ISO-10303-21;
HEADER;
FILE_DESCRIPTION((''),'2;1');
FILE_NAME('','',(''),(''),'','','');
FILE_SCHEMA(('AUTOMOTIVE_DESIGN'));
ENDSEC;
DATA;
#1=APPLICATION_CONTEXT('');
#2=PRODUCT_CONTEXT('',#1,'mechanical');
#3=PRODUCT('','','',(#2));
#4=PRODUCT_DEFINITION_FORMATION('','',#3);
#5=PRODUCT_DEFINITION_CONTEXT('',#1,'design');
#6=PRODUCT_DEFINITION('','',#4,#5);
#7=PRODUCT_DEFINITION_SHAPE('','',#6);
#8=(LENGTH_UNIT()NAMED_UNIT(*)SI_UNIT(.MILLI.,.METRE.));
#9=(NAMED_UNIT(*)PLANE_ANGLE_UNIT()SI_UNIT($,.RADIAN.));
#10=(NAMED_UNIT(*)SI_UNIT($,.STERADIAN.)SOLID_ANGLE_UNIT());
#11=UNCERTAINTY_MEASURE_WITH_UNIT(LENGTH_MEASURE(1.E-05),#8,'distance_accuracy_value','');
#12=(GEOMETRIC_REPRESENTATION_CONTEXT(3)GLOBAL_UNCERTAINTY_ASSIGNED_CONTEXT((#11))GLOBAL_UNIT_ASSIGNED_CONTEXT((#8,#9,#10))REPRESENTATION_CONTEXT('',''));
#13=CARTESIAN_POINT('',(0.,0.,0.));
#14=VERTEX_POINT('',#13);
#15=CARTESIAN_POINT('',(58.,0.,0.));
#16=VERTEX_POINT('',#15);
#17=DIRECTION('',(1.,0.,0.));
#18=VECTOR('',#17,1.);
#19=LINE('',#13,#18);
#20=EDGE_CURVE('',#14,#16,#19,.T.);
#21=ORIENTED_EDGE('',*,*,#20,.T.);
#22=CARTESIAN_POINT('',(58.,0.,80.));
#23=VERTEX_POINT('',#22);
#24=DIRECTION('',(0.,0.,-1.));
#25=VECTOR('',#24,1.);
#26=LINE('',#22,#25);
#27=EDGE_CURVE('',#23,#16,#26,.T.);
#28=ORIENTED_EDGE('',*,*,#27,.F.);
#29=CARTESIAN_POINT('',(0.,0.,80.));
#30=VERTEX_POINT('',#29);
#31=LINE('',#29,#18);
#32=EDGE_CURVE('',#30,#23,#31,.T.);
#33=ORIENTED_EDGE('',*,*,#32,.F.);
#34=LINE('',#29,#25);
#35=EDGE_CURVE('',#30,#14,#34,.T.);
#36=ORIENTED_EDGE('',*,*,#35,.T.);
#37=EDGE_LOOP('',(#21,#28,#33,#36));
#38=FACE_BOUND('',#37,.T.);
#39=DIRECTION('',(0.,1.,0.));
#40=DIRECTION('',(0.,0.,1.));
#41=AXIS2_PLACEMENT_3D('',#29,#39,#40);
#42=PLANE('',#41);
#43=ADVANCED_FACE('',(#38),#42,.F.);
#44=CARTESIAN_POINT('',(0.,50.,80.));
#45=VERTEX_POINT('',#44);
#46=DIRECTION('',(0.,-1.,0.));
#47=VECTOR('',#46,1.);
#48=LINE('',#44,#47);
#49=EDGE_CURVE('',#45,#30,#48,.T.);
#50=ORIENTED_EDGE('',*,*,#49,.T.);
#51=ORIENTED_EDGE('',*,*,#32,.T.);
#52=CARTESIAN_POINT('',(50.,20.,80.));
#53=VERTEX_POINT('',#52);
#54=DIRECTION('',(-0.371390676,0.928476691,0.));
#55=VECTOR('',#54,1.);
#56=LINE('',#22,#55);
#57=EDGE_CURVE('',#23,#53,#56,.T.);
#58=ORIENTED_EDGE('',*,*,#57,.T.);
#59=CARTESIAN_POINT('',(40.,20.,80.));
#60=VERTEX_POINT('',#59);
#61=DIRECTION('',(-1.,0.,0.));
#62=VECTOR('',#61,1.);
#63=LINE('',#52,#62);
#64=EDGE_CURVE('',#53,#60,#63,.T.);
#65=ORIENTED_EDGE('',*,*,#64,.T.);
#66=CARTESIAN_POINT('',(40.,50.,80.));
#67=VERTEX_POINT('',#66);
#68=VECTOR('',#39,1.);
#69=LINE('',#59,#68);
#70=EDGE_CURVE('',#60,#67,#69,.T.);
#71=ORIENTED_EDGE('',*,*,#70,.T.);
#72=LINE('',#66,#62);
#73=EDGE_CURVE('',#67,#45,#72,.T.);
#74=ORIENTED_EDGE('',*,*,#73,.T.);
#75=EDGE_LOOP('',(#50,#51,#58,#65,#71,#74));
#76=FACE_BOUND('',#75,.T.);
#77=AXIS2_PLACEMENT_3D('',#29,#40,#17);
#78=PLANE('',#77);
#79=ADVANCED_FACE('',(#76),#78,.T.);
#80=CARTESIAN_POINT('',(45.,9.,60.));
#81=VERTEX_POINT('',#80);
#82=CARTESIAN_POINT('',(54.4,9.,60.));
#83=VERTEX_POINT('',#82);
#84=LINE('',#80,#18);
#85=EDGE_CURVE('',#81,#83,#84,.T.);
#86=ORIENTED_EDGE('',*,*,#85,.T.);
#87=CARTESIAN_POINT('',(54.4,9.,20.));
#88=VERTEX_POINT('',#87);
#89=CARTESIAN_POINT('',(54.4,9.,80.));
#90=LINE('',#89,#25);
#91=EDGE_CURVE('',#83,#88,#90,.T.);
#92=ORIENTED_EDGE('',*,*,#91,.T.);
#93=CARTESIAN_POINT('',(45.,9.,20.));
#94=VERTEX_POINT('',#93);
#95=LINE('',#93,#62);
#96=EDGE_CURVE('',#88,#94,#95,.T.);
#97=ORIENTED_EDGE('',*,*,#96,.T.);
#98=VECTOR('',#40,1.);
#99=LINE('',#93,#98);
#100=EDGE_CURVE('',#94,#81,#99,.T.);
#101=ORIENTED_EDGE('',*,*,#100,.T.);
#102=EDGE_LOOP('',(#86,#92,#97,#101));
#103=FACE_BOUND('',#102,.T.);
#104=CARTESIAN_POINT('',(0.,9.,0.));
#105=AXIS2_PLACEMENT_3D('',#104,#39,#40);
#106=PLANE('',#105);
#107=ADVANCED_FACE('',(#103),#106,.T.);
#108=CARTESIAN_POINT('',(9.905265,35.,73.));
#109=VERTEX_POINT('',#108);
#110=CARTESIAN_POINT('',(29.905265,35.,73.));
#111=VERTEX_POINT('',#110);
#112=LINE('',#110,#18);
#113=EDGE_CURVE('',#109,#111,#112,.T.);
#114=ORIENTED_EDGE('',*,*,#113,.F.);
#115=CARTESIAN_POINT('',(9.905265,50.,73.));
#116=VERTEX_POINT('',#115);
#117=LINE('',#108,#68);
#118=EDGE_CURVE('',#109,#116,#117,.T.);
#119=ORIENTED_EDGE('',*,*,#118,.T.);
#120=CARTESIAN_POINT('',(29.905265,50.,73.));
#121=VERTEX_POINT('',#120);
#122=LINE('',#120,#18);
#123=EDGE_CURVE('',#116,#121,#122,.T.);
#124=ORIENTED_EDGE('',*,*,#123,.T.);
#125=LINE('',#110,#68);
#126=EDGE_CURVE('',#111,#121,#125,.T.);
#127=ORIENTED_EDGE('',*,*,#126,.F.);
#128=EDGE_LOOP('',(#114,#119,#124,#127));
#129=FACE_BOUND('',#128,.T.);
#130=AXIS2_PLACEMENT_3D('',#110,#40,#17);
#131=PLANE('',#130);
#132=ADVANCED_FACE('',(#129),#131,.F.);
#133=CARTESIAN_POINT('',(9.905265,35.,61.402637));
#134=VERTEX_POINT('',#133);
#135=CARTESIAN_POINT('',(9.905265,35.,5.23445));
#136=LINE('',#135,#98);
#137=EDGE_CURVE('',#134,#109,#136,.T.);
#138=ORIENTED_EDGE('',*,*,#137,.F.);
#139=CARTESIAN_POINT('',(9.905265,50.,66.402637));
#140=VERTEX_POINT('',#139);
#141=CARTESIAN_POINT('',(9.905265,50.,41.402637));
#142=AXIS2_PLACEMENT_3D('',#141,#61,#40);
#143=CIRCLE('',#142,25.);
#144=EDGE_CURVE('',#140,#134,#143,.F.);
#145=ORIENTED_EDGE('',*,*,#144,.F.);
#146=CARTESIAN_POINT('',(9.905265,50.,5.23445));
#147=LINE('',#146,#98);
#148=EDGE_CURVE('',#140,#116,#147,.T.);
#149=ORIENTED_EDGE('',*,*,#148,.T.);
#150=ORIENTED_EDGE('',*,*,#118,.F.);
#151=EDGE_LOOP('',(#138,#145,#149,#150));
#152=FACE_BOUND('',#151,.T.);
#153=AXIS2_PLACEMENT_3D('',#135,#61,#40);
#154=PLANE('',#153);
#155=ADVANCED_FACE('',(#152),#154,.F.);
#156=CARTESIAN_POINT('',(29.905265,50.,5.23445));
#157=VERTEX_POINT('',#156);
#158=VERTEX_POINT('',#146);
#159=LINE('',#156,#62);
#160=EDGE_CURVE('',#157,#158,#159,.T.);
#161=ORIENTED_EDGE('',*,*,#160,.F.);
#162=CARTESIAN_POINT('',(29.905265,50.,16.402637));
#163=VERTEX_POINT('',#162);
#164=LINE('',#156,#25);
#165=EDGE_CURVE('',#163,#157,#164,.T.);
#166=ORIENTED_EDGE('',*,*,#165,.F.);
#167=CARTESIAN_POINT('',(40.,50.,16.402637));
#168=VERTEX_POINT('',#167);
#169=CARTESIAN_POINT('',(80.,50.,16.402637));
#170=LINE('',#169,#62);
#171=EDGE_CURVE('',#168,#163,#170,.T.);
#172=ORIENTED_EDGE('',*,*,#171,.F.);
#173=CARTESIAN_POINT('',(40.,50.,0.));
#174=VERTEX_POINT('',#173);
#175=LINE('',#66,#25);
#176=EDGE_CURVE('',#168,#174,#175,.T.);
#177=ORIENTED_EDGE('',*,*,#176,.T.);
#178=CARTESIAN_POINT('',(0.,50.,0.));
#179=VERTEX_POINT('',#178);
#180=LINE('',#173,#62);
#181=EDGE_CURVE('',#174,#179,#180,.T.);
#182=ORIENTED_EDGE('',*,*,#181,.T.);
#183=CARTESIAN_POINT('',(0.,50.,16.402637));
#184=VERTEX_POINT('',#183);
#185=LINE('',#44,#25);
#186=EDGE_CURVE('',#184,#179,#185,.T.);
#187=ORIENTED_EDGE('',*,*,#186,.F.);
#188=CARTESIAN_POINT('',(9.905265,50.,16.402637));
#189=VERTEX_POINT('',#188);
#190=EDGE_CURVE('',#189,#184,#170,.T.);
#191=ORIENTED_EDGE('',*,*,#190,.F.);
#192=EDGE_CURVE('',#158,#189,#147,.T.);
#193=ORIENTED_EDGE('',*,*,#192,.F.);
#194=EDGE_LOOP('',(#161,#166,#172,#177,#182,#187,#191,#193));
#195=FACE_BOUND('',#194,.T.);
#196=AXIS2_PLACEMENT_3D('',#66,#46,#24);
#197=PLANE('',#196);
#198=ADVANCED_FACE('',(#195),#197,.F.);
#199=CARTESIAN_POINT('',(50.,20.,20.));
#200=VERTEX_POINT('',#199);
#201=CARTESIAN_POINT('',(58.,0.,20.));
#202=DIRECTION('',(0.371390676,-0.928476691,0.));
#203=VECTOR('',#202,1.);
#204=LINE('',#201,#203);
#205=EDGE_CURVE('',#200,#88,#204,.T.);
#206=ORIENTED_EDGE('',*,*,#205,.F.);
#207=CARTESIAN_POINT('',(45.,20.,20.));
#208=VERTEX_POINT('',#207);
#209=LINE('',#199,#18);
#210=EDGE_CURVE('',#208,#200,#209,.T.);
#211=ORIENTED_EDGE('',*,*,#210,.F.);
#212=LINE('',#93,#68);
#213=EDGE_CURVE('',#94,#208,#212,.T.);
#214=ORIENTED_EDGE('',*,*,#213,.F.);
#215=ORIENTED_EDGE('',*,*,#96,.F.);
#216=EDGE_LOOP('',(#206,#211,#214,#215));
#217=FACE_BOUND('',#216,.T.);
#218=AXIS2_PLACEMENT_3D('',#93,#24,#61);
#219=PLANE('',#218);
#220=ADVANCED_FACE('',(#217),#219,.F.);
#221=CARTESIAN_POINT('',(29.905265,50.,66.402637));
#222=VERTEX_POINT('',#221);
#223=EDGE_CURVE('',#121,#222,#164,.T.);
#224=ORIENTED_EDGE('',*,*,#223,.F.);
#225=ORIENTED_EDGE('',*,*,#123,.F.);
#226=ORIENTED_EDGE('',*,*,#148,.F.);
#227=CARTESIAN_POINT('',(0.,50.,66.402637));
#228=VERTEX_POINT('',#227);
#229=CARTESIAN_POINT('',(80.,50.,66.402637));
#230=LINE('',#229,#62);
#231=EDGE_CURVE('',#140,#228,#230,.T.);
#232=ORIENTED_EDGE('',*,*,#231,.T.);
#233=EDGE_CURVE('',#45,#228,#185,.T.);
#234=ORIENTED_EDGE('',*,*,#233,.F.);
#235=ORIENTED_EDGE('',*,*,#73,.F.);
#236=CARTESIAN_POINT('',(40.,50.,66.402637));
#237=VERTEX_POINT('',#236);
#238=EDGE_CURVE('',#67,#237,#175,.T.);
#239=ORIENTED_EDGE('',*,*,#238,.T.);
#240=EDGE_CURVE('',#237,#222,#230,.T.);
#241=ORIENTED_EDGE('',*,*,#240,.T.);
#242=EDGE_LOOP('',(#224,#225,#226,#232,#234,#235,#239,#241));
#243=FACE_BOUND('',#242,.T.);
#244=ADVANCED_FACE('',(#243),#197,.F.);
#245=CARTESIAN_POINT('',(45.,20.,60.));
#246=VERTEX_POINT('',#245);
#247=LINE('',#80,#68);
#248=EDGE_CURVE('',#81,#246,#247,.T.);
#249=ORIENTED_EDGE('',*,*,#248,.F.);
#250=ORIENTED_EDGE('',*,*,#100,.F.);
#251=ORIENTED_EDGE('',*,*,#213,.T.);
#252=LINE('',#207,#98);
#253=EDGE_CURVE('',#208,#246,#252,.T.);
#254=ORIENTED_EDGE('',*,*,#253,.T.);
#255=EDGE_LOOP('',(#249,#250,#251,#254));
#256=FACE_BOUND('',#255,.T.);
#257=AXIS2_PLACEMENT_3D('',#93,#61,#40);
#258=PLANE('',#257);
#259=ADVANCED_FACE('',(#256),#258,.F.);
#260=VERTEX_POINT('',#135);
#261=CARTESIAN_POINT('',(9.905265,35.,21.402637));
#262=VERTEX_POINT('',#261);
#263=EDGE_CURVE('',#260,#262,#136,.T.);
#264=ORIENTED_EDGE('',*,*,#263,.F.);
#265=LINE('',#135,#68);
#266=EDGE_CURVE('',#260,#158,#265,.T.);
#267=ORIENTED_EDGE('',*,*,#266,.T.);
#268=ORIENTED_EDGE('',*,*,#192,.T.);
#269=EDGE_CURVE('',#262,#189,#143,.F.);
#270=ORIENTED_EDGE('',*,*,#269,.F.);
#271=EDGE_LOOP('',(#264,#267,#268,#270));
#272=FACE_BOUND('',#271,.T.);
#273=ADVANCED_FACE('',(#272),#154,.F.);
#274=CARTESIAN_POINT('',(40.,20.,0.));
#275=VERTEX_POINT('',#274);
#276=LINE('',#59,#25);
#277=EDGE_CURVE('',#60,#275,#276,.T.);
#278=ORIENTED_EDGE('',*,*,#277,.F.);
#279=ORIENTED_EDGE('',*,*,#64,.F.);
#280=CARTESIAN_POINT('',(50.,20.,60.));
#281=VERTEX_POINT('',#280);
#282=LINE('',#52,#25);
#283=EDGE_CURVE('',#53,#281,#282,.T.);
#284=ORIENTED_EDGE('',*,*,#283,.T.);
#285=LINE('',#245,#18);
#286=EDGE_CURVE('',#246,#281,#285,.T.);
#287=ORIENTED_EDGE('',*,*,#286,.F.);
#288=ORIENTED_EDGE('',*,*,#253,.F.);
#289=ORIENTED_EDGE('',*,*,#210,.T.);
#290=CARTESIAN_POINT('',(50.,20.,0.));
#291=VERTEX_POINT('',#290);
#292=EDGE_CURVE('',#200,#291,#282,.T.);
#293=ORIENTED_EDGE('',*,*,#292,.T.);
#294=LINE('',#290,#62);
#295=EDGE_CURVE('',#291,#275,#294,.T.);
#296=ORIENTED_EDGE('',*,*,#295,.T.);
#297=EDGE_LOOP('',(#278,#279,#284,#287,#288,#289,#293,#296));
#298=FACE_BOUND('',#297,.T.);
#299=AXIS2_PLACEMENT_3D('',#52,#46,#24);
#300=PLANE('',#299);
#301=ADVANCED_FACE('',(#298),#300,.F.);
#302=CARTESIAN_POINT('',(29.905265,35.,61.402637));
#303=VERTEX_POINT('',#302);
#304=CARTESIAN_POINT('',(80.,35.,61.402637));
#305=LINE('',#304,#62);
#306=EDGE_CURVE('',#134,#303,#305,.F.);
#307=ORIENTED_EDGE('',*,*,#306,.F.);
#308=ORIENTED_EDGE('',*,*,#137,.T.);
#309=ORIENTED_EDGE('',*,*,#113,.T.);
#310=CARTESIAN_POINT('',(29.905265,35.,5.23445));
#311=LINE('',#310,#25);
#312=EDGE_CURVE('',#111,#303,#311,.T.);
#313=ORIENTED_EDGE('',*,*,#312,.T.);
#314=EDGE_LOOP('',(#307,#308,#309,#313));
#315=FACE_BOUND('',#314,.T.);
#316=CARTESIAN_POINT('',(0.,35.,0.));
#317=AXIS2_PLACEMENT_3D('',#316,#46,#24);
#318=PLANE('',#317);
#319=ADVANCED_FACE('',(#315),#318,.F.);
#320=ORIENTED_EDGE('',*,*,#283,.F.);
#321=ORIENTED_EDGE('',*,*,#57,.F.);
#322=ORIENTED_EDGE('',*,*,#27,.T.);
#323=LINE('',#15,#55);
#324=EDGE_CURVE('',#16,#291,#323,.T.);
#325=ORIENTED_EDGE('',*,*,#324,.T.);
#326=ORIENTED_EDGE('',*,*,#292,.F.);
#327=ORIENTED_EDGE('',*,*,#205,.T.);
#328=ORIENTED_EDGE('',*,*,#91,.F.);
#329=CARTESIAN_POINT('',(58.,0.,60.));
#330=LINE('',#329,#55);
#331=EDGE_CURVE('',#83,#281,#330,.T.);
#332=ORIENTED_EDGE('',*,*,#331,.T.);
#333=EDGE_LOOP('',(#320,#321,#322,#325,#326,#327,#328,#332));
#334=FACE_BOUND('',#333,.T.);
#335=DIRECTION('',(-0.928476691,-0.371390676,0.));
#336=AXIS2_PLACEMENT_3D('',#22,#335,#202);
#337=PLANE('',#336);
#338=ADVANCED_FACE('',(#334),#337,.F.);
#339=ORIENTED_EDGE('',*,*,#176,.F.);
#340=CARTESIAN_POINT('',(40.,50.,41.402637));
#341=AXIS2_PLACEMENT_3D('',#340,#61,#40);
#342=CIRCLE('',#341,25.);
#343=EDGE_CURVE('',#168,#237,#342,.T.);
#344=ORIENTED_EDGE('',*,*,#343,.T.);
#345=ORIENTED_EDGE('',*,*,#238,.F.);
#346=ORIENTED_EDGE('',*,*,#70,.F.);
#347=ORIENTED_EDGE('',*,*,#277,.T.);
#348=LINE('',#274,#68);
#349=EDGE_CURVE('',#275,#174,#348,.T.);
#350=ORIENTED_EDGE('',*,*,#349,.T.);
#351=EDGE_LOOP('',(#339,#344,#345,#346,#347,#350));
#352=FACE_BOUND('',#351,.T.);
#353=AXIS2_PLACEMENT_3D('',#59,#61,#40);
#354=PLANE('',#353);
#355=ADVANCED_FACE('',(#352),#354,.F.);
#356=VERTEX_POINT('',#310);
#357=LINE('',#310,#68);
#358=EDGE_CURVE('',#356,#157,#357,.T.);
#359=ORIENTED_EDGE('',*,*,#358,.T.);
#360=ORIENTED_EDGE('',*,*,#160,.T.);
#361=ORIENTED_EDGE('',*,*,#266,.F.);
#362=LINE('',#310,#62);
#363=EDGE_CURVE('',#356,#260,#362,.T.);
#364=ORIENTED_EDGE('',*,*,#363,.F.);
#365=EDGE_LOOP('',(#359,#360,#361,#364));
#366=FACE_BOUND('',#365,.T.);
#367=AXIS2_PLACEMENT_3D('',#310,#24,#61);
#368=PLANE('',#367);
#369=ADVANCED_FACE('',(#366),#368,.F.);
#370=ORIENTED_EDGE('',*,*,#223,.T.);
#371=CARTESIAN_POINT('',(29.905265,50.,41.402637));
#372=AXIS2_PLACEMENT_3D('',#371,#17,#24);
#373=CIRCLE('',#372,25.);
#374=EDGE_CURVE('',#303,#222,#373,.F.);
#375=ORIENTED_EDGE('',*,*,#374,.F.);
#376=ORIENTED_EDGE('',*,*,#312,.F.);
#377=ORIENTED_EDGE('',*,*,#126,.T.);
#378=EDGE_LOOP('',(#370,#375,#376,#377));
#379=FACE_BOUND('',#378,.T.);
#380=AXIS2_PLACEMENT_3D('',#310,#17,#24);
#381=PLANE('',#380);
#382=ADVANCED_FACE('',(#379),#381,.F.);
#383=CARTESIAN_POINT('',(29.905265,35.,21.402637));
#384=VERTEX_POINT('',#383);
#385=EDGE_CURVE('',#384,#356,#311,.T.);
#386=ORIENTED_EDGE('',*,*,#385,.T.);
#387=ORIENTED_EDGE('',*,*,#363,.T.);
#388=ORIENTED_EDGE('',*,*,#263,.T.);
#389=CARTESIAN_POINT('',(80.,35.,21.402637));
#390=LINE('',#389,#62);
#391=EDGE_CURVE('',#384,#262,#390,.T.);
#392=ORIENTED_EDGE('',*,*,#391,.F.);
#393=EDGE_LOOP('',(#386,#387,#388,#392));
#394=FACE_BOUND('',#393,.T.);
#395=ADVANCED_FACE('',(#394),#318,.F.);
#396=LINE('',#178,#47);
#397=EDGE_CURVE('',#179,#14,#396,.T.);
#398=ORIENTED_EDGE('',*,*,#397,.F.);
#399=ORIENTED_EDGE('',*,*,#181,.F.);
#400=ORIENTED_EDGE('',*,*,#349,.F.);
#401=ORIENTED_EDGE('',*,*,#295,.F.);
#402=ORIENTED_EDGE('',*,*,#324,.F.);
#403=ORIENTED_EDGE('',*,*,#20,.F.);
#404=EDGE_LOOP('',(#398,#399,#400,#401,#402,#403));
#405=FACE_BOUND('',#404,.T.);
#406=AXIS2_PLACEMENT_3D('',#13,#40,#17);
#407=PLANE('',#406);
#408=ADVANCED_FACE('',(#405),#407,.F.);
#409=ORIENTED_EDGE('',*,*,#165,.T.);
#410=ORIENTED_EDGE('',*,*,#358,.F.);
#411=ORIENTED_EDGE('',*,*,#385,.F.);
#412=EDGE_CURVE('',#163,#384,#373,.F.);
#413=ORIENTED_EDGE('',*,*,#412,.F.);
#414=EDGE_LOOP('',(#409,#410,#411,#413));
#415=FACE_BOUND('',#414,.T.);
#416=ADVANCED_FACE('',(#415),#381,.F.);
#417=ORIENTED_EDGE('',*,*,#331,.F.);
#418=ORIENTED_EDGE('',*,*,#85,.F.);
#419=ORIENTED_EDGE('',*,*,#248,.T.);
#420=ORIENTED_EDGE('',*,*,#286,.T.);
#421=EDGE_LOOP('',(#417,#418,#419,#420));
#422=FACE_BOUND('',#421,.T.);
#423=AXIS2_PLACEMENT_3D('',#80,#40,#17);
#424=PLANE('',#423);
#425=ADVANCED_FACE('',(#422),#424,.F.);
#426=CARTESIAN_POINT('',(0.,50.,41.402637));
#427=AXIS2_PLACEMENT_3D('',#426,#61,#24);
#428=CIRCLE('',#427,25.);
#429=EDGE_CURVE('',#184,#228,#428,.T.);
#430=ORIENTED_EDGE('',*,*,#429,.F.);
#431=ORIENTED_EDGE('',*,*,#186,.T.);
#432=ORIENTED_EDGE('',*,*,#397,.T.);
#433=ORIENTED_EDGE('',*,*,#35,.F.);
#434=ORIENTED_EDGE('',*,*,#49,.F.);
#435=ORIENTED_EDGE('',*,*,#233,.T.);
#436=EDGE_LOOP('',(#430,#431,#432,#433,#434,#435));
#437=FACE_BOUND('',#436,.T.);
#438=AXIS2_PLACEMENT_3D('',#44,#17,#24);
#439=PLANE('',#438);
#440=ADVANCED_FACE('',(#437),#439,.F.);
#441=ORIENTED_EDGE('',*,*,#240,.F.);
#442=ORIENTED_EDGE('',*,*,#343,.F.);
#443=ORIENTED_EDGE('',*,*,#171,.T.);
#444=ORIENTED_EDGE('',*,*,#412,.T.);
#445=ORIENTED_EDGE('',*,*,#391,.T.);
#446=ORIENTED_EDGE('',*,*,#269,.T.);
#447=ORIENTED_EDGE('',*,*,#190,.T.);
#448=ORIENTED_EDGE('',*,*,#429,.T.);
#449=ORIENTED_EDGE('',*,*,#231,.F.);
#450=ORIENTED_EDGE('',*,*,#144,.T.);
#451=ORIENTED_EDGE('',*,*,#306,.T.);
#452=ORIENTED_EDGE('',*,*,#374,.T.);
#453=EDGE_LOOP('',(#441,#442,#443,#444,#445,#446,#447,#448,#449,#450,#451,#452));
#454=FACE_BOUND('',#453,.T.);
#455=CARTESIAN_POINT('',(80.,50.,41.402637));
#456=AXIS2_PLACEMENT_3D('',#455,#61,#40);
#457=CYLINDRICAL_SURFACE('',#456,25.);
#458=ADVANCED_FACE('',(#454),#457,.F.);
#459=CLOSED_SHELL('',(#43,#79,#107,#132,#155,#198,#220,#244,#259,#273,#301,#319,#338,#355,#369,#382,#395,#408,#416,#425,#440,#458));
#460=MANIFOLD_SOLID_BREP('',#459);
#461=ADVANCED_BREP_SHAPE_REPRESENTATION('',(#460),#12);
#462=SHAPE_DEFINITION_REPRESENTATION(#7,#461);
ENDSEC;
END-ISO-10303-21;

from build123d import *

# Parameters (mm, degrees)
BOSS_EXTRUDE1_DEPTH = 80
CUT_EXTRUDE1_DEPTH  = 80
SKETCH3_W           = 20
SKETCH3_H           = 67.765549713
CUT_EXTRUDE2_DEPTH  = 15
SKETCH6_W           = 10
SKETCH6_H           = 40
CUT_EXTRUDE4_DEPTH  = 11


with BuildPart() as part:
    # Sketch1 → Boss-Extrude1 (new body)
    with BuildSketch(Plane.XY):
        Polygon((0, 50), (0, 0), (58, 0), (50, 20), (40, 20), (40, 50), align=None)
    extrude(amount=BOSS_EXTRUDE1_DEPTH)

    # Sketch2 → Cut-Extrude1 (cut)
    with BuildSketch(Plane.ZY):
        with BuildLine():
            Line((66.402636912, 50), (16.402636912, 50))
            ThreePointArc((16.402636912, 50), (41.402636912, 25), (66.402636912, 50))
        make_face()
    extrude(amount=-CUT_EXTRUDE1_DEPTH, mode=Mode.SUBTRACT)

    # Sketch3 → Cut-Extrude2 (cut)
    with BuildSketch(Plane(origin=(0, 50, 0), x_dir=(1, 0, 0), z_dir=(0, 1, 0))):
        with Locations((19.905264977, -39.117225144)):
            Rectangle(SKETCH3_W, SKETCH3_H)
    extrude(amount=-CUT_EXTRUDE2_DEPTH, mode=Mode.SUBTRACT)

    # Sketch6 → Cut-Extrude4 (cut)
    with BuildSketch(Plane(origin=(0, 20, 0), x_dir=(1, 0, 0), z_dir=(0, 1, 0))):
        with Locations((50, -40)):
            Rectangle(SKETCH6_W, SKETCH6_H)
    extrude(amount=-CUT_EXTRUDE4_DEPTH, mode=Mode.SUBTRACT)


solid = part.part
